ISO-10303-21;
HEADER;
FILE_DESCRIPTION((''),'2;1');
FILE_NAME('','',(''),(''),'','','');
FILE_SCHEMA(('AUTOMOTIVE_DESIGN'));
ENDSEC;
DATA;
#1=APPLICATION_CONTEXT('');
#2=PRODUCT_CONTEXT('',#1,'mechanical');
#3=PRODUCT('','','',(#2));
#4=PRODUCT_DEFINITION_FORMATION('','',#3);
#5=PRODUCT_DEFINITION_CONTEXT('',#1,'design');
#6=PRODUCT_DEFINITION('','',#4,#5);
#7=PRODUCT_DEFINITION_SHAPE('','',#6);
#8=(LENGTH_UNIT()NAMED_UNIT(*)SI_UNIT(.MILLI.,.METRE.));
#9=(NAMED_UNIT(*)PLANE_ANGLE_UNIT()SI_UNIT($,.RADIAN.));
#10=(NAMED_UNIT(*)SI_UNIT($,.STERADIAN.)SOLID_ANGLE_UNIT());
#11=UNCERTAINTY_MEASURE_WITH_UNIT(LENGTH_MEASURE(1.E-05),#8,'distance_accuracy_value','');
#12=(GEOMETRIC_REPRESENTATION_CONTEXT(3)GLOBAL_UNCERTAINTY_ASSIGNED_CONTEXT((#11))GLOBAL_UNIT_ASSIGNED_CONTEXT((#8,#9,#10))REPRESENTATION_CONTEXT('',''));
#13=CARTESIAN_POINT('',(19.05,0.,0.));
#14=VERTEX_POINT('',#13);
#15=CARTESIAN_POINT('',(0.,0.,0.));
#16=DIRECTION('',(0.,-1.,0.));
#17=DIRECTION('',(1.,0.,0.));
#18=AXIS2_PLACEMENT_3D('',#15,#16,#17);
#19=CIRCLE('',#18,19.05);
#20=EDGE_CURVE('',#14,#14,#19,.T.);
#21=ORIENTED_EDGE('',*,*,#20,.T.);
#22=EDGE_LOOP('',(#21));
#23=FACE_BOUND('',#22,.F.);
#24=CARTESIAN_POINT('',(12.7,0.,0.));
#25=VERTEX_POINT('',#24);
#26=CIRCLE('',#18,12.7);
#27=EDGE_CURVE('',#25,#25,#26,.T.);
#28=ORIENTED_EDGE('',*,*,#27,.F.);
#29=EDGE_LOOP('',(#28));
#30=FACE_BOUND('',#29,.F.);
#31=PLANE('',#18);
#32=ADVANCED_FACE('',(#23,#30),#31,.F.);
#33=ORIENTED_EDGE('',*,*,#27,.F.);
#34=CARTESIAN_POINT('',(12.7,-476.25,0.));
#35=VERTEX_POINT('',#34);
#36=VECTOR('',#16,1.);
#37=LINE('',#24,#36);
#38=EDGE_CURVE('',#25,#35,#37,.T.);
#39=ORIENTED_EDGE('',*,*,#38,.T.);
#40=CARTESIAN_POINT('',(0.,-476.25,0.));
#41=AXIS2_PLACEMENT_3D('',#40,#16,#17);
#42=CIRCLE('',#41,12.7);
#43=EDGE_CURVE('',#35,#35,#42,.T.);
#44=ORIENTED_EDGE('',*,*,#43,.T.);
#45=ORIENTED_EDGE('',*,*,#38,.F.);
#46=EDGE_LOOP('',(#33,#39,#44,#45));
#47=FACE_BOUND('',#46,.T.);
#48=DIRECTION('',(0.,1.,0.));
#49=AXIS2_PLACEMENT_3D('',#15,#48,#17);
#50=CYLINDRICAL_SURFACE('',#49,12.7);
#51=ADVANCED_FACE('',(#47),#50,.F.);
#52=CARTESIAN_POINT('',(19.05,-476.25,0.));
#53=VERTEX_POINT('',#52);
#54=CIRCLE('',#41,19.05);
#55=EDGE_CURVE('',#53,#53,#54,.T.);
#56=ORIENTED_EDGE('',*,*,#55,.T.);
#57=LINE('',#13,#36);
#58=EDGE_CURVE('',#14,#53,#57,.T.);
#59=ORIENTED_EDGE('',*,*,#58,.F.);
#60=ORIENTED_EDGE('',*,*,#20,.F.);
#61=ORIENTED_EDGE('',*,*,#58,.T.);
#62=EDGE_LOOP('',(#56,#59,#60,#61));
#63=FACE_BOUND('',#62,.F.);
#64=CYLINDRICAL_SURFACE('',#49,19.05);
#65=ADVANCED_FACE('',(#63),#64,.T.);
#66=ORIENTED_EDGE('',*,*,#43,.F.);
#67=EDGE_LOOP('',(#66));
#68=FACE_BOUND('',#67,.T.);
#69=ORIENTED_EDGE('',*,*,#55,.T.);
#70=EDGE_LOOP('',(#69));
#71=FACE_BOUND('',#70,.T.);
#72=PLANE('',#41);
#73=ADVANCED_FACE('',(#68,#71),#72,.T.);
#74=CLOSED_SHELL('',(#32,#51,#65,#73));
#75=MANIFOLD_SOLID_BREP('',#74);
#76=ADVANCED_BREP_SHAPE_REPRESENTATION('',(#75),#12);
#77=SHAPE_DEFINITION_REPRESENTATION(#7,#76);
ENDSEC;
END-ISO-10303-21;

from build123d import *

# Parameters (mm, degrees)
CYLINDER_R          = 12.7
CYLINDER_DEPTH      = 476.25
CYLINDER_ROLL_ANGLE = 90
THICKNESS001_T      = 6.35


with BuildPart() as part:
    # Cylinder → Cylinder (new body)
    with BuildSketch(Plane.XY):
        Circle(CYLINDER_R)
    extrude(amount=CYLINDER_DEPTH)


with BuildPart() as part_1:
    # Cylinder roll: moved
    add(part.part.rotate(Axis((0, 0, 0), (1, 0, 0)), CYLINDER_ROLL_ANGLE))


with BuildPart() as part_2:
    # Cylinder placement: moved
    add(part_1.part)

    # Thickness001
    thickness001_openings = [part_2.faces().sort_by_distance(p)[0] for p in [
        (0, 0, 0),
        (0, -476.25, 0),
    ]]
    offset(amount=THICKNESS001_T, openings=thickness001_openings)


solid = part_2.part
